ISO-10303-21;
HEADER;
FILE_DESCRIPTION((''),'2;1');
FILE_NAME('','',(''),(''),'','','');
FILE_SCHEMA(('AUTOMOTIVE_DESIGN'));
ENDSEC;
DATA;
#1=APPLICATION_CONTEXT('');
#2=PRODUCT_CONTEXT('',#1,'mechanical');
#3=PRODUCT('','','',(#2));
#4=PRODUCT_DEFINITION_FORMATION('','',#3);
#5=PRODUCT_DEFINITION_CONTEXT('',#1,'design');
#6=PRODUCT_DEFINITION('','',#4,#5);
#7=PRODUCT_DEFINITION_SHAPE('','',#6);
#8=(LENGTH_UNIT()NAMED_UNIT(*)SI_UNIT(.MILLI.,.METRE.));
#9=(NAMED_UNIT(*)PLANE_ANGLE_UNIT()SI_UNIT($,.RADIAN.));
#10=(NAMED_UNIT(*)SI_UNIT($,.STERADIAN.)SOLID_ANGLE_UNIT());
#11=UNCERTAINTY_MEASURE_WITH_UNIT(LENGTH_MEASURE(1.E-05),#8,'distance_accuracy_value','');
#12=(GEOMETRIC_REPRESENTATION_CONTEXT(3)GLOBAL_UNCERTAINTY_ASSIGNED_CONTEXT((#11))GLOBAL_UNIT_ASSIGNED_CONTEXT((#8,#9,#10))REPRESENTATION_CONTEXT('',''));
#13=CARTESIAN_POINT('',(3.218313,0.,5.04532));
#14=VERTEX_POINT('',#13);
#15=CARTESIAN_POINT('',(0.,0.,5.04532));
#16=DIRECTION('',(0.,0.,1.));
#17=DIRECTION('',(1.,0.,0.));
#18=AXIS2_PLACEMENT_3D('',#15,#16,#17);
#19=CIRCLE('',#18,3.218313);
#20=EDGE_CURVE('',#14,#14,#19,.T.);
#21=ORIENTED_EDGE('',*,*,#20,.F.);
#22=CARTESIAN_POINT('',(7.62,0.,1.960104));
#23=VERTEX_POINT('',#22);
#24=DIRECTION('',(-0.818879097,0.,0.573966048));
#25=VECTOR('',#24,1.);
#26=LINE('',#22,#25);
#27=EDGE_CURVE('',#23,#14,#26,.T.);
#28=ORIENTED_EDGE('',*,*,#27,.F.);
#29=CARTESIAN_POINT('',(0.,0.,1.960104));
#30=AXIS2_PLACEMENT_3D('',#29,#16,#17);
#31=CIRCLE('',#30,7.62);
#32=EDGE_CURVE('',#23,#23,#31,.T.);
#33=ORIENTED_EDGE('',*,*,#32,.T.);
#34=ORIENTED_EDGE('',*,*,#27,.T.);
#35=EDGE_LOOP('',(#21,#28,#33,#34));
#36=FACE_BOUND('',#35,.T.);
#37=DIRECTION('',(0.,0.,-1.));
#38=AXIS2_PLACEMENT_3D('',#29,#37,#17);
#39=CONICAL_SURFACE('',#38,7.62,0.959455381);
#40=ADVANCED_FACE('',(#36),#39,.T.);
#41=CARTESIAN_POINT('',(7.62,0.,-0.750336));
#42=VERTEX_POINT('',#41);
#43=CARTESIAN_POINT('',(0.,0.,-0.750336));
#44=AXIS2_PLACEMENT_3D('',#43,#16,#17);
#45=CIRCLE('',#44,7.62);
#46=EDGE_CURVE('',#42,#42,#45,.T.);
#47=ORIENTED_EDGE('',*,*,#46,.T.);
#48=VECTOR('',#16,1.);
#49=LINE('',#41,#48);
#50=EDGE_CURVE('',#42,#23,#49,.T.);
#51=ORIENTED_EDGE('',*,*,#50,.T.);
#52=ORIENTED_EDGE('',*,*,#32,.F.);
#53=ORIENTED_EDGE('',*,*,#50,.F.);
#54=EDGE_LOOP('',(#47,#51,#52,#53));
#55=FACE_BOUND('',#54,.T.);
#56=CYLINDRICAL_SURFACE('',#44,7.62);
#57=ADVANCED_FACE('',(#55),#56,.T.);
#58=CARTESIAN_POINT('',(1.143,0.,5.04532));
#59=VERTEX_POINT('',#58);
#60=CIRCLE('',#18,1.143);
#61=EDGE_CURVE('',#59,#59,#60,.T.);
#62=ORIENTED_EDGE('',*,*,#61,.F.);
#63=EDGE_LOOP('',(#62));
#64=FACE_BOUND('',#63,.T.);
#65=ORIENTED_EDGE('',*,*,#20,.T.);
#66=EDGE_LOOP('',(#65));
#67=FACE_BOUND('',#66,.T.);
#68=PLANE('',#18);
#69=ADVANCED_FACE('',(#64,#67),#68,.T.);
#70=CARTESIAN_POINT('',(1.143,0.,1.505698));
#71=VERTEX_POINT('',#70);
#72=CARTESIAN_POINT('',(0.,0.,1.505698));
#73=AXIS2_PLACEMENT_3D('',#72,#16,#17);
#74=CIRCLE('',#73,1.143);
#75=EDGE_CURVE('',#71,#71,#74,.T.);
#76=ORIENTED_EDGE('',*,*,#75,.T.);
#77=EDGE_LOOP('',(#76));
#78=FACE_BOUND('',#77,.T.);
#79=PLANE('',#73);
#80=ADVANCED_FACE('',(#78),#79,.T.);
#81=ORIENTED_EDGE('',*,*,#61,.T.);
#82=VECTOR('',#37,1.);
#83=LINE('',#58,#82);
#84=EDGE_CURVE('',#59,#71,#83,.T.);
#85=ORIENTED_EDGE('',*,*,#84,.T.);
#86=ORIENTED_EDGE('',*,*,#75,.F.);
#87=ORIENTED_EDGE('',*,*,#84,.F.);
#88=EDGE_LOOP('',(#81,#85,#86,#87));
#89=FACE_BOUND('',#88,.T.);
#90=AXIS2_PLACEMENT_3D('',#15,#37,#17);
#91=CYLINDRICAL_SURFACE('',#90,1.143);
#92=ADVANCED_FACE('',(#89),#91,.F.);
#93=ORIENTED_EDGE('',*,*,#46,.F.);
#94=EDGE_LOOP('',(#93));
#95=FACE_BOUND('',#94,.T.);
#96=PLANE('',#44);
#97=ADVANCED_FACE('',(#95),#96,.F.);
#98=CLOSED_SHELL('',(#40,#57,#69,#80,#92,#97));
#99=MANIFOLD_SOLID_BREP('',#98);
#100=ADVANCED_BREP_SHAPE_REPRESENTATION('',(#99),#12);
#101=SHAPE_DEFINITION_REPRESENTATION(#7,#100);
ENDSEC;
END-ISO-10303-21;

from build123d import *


with BuildPart() as f1:
    # F0 (on Front) → F1 (revolve)
    with BuildSketch(Plane.XZ):
        with BuildLine():
            Line((0, 1.505698), (0, 0))
            ThreePointArc((0, 0), (3.177226, -0.188242), (6.309997, -0.750336))
            Line((6.309997, -0.750336), (7.62, -0.750336))
            Line((7.62, -0.750336), (7.62, 1.960104))
            Line((7.62, 1.960104), (3.218313, 5.04532))
            Line((3.218313, 5.04532), (1.143, 5.04532))
            Line((1.143, 5.04532), (1.143, 1.505698))
            Line((1.143, 1.505698), (0, 1.505698))
        make_face()
    revolve(axis=Axis((0, 0, 0.752849), (0, 0, 1)))

    # F0 (on Front) → F2 (revolve)
    with BuildSketch(Plane.XZ):
        with BuildLine():
            ThreePointArc((6.309997, -0.750336), (3.177226, -0.188242), (0, 0))
            Line((0, 0), (0, -0.750336))
            Line((0, -0.750336), (6.309997, -0.750336))
        make_face()
    revolve(axis=Axis((0, 0, 0.752849), (0, 0, 1)))


solid = f1.part
